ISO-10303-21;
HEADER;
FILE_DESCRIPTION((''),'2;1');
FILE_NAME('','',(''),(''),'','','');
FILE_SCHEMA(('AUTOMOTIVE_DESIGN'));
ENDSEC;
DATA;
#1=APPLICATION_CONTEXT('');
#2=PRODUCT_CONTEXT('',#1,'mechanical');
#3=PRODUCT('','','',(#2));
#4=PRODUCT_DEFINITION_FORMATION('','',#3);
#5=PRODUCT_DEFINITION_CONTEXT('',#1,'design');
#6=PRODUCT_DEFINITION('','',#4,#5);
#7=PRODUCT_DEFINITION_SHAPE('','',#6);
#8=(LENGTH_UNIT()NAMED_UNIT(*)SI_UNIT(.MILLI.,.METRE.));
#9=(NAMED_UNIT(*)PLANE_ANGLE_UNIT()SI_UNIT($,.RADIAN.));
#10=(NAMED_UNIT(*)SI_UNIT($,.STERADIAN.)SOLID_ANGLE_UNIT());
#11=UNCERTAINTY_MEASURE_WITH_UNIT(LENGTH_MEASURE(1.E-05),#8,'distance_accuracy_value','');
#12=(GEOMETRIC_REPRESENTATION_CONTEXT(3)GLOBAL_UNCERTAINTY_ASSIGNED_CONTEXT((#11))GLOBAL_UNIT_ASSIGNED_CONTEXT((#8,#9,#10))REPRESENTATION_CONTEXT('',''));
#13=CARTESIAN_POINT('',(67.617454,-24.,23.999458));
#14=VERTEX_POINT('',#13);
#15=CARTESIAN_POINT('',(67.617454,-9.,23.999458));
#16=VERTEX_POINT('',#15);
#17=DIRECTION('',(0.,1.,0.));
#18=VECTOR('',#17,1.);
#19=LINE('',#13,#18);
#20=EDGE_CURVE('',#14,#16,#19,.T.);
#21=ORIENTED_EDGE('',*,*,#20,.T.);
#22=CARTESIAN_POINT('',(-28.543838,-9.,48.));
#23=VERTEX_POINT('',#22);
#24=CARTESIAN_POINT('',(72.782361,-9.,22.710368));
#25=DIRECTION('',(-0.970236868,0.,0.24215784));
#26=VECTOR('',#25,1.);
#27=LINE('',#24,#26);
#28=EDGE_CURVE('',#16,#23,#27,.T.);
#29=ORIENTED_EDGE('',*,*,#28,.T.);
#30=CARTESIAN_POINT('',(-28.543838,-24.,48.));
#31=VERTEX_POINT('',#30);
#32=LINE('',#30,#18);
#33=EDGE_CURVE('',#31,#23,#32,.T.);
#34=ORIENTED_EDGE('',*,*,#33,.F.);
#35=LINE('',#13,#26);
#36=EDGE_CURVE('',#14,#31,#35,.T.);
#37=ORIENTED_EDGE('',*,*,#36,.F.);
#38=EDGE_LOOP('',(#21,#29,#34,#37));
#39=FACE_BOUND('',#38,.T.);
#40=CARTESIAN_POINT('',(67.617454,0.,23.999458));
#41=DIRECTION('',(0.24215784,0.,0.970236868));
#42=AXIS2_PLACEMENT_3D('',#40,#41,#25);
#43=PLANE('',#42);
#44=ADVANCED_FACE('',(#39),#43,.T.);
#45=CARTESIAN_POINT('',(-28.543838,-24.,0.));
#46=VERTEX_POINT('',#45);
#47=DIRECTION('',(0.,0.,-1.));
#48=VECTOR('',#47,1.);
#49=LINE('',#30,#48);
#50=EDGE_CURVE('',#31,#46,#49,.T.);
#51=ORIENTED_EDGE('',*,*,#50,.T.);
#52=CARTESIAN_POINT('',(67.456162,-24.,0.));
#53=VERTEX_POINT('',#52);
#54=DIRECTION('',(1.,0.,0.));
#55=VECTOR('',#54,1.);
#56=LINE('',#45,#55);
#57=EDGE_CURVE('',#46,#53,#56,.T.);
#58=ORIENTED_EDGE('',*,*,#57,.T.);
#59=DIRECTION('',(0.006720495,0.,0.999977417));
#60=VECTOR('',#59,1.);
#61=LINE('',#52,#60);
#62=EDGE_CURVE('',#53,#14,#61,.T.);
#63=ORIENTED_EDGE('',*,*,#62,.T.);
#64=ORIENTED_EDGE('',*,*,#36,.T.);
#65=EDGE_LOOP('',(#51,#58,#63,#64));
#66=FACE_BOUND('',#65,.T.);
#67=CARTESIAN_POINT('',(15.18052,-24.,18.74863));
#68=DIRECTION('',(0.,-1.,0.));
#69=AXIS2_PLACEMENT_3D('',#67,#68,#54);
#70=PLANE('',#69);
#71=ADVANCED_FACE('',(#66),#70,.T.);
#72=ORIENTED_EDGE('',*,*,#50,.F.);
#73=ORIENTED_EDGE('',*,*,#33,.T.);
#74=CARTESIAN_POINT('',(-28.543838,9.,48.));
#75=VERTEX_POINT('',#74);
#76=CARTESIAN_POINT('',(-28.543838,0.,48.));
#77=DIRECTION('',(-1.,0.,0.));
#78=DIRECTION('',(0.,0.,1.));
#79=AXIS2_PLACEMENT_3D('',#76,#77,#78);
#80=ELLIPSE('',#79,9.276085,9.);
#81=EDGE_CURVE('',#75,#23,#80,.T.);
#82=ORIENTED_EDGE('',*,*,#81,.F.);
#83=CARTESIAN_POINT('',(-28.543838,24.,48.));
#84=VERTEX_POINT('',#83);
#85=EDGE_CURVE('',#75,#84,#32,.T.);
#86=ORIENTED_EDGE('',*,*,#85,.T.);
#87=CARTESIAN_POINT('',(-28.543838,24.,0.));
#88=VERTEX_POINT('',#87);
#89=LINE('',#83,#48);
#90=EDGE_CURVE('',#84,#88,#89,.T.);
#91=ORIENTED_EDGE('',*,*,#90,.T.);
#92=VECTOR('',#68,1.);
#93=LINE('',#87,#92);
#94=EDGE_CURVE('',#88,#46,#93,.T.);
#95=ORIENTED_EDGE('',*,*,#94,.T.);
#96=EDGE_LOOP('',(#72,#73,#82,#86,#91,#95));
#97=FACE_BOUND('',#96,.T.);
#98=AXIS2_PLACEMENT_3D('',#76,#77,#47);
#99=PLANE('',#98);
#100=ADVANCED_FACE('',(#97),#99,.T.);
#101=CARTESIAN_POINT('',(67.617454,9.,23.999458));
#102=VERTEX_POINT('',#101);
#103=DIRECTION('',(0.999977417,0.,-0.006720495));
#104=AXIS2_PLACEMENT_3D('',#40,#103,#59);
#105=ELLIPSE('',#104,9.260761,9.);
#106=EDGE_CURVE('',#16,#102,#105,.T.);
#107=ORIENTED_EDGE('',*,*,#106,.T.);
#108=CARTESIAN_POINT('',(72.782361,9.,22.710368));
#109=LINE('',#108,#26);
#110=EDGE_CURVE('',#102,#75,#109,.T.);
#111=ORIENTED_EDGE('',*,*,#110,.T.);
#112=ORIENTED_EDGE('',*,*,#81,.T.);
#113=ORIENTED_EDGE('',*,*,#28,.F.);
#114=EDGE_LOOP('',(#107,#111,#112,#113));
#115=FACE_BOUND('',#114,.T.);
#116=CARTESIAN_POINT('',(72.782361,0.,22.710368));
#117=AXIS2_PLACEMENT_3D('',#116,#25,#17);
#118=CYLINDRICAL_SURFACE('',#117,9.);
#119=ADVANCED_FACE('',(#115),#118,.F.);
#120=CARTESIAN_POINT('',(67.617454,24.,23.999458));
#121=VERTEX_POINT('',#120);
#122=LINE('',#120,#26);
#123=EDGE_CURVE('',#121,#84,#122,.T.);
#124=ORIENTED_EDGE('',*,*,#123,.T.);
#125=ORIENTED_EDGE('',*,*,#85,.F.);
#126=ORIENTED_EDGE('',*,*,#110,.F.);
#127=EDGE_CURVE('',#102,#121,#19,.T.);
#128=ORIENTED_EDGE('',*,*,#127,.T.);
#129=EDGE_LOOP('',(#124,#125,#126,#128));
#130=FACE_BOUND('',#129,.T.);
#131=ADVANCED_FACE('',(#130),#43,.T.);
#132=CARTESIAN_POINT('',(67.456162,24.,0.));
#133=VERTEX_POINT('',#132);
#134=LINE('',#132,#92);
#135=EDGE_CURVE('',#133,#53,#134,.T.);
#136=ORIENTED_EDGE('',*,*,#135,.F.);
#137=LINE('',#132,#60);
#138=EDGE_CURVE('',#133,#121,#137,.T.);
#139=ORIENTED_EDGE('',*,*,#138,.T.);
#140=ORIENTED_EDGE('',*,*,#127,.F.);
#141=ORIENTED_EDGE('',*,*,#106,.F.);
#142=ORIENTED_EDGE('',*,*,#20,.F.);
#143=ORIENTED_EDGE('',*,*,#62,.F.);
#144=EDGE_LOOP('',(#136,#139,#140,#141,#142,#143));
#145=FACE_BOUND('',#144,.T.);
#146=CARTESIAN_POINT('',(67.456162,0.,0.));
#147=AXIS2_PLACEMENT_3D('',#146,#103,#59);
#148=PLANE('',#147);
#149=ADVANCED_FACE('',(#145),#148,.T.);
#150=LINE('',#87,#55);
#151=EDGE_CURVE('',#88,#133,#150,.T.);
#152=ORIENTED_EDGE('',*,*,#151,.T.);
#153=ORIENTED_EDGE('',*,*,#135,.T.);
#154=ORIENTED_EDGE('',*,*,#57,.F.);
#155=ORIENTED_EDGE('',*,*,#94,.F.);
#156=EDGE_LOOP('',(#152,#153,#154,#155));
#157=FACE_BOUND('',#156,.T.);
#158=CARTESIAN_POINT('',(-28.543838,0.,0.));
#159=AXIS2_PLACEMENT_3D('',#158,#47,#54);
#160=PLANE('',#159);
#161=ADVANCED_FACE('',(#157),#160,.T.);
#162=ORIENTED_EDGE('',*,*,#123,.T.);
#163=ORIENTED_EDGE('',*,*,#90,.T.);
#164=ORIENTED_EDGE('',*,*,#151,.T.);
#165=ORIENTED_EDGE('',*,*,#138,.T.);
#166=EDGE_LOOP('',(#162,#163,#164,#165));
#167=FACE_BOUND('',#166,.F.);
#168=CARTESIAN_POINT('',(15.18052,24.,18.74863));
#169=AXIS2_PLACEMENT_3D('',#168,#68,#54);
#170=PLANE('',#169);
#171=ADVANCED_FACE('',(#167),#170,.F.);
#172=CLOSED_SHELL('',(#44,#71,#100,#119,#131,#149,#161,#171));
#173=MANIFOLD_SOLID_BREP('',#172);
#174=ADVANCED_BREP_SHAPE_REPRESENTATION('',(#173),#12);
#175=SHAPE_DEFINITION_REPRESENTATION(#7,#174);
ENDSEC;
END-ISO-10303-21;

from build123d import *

# Parameters (mm, degrees)
F1_DEPTH = 24
F2_W     = 99.111150098
F2_H     = 9
F2_W_2   = 5.3233464885


with BuildPart() as f1:
    # F0 (on Front) → F1 (new body, symmetric)
    with BuildSketch(Plane.XZ):
        Polygon((-28.5438378341, 48), (-28.5438378341, 0), (67.4561621659, 0), (67.6174540565, 23.9994580132), align=None)
    extrude(amount=F1_DEPTH, both=True)

    # F2 (on face) → F3 (revolve, cut)
    with BuildSketch(Plane(origin=(9.6037996504, 0, 38.4788719333), x_dir=(0.9702368684, 0, -0.2421578396), z_dir=(0.2421578396, 0, 0.9702368684))):
        with Locations((10.2377149176, 4.5)):
            Rectangle(F2_W, F2_H)
        with Locations((62.4549632108, 4.5)):
            Rectangle(F2_W_2, F2_H)
    revolve(axis=Axis((22.1192616243, 0, 35.3551839641), (0.9702368684, 0, -0.2421578396)), mode=Mode.SUBTRACT)


solid = f1.part
